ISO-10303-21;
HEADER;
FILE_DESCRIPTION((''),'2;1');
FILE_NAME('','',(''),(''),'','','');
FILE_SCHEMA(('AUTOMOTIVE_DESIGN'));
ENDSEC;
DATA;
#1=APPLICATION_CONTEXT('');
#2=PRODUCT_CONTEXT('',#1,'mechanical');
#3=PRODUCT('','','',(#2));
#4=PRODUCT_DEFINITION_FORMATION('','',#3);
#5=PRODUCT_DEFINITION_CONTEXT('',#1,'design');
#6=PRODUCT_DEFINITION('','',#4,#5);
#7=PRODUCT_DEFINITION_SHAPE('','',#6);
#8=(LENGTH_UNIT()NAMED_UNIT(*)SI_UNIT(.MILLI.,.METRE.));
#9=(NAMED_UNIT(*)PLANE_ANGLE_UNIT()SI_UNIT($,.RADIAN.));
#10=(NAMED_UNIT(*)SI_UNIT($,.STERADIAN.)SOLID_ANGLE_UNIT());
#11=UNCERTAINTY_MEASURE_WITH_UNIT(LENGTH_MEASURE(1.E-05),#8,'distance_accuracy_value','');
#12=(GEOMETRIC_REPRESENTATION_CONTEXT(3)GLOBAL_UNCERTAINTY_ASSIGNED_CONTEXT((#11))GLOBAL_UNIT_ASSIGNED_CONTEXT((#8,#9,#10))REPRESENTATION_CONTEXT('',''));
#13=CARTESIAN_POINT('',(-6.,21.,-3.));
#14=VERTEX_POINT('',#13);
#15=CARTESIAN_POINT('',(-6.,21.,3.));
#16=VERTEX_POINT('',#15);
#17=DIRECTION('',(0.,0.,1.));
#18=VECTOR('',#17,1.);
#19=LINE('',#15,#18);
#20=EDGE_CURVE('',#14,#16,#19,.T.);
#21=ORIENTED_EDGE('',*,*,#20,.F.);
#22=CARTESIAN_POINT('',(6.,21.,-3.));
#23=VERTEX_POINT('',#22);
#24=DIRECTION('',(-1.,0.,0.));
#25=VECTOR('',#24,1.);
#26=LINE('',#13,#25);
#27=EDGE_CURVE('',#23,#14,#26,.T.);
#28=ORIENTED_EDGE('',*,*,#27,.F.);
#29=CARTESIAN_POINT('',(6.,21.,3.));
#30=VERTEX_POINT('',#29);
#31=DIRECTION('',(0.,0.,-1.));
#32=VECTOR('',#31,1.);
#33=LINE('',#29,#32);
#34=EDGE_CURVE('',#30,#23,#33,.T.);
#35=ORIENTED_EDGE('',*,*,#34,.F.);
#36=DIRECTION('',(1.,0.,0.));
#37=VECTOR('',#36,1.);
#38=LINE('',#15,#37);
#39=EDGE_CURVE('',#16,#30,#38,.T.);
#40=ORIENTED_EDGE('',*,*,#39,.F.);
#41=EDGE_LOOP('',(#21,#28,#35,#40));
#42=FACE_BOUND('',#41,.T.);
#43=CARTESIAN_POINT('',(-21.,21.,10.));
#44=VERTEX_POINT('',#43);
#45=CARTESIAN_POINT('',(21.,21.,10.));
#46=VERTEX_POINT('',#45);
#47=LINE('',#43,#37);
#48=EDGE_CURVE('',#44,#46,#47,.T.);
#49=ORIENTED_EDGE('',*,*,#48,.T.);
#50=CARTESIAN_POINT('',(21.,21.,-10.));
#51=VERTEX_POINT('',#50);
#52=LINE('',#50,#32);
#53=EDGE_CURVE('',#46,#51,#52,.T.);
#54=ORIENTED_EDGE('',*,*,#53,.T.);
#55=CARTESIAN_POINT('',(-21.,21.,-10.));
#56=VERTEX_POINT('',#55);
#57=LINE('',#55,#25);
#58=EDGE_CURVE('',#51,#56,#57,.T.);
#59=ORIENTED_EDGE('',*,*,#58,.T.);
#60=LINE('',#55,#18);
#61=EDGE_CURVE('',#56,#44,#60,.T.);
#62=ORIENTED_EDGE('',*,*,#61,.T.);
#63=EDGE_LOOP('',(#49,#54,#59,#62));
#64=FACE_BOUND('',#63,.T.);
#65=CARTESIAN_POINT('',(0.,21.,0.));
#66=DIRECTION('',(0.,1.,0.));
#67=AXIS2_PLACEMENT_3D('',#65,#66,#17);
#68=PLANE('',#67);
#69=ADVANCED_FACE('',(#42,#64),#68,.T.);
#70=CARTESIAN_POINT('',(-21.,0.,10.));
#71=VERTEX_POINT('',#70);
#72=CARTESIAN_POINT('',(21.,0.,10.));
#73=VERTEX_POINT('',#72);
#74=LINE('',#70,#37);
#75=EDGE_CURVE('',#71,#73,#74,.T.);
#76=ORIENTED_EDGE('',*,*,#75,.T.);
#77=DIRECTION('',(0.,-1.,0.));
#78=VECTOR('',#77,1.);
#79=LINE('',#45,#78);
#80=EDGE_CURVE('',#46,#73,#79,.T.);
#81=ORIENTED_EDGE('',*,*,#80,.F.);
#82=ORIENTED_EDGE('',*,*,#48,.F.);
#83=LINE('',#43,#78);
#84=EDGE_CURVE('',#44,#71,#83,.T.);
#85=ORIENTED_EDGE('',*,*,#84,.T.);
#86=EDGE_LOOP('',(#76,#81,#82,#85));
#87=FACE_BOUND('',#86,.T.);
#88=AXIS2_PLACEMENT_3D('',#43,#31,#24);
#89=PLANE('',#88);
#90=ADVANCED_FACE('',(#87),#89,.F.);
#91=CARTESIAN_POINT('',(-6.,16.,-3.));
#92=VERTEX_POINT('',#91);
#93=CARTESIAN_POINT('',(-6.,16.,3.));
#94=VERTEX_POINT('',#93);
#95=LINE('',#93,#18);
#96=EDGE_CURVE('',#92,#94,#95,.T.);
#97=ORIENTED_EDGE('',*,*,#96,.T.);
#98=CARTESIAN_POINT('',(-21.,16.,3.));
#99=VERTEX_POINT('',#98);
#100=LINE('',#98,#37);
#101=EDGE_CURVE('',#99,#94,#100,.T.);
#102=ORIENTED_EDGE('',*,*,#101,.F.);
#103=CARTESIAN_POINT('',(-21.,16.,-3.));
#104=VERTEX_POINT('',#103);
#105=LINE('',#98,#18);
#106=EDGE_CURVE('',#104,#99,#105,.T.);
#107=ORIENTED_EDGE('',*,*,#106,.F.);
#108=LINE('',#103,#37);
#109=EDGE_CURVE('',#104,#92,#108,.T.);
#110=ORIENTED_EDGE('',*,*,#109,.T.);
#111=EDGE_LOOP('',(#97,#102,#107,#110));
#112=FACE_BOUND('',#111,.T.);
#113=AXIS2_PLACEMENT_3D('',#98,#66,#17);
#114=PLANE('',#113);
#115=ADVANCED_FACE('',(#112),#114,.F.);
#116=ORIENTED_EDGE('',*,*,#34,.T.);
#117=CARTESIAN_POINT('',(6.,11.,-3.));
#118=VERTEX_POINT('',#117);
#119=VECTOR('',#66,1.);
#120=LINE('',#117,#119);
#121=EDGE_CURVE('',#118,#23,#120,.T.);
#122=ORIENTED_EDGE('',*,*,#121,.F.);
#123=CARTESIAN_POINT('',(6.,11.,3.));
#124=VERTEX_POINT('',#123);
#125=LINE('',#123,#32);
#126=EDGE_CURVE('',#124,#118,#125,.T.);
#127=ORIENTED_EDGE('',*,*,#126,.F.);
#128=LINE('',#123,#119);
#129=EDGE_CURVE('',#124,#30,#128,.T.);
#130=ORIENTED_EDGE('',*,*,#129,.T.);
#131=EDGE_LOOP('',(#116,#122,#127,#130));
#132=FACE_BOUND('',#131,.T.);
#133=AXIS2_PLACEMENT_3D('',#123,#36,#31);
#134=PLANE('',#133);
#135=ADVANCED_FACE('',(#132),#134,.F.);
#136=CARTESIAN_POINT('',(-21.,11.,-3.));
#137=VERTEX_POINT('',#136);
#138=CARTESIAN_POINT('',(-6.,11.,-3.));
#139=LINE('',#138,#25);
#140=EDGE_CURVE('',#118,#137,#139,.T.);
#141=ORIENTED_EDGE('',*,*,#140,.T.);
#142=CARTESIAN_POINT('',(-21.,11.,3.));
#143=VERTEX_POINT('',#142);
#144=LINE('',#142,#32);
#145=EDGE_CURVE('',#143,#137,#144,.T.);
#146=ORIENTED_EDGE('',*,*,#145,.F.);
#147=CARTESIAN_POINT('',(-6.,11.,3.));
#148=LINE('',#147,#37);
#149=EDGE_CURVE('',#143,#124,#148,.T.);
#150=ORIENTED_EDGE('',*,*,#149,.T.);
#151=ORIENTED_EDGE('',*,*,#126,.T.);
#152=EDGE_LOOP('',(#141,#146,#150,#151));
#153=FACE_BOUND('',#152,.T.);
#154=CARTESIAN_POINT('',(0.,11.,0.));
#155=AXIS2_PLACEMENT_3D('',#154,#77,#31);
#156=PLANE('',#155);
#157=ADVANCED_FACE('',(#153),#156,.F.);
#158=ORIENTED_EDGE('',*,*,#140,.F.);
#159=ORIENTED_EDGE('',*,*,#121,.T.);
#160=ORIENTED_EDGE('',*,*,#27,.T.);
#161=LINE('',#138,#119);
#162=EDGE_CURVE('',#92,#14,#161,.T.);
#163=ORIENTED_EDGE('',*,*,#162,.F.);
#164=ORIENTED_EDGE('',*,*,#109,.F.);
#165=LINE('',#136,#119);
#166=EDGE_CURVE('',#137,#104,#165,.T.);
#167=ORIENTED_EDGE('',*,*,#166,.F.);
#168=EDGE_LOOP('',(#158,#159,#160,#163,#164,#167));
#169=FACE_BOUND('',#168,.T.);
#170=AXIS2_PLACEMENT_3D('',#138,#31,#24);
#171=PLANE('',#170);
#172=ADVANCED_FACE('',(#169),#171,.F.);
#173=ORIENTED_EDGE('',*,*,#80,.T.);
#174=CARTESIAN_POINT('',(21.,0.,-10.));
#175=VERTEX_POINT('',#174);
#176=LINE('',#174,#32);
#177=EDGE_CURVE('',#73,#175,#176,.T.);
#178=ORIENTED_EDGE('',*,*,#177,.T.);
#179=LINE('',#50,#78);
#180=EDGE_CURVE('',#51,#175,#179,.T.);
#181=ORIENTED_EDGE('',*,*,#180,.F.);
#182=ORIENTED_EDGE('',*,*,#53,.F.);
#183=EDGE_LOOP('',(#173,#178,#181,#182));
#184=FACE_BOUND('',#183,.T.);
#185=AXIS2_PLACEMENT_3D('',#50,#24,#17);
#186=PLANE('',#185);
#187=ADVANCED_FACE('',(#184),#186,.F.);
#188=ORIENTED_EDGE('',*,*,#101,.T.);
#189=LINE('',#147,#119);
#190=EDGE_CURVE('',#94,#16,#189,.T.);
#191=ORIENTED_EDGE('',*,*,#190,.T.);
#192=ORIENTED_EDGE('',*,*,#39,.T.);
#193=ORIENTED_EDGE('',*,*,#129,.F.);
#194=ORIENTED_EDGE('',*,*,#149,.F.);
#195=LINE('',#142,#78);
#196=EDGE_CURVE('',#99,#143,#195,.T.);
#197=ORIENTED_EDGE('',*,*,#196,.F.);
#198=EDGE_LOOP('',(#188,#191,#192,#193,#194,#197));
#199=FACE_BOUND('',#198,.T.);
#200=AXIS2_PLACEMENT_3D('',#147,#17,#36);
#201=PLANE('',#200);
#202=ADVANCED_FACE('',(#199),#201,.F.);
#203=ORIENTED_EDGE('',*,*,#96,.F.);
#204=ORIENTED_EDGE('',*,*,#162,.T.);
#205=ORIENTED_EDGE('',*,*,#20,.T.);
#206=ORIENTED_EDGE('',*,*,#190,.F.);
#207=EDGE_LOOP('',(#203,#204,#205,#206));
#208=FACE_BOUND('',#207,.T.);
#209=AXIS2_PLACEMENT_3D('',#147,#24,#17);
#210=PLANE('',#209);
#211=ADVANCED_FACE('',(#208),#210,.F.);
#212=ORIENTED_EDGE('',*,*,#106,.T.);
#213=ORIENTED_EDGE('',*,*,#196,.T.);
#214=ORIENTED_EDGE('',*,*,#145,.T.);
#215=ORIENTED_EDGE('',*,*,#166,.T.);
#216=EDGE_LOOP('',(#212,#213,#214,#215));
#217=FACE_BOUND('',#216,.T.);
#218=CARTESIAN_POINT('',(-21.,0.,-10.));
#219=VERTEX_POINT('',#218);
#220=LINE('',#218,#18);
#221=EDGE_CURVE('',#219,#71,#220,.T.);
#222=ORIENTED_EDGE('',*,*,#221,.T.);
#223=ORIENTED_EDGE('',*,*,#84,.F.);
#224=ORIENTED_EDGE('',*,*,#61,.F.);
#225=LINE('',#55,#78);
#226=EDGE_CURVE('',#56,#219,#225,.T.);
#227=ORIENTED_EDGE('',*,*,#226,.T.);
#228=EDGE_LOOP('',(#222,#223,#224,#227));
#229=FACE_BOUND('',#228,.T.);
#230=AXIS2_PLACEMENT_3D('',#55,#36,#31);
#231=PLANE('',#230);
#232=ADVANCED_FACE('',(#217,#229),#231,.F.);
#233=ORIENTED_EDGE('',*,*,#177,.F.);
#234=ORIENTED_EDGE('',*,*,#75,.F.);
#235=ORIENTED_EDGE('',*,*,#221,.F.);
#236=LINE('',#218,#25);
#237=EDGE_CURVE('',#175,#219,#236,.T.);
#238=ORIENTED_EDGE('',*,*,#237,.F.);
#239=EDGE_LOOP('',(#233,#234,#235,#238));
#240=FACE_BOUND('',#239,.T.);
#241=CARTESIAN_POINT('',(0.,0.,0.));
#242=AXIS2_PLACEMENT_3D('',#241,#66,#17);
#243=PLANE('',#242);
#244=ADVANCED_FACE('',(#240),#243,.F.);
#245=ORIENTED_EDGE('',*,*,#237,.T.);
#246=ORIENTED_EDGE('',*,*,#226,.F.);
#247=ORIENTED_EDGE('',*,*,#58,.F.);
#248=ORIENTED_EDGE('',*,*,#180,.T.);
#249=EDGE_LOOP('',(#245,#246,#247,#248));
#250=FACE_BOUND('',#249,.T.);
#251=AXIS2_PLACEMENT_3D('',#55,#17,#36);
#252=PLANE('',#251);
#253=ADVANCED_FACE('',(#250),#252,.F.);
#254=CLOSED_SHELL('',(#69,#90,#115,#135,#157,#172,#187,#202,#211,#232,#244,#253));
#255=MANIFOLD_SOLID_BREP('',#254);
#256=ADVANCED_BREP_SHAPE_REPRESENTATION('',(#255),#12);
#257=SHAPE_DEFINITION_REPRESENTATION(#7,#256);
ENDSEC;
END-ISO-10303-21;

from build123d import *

# Parameters (mm, degrees)
ESQUISSE1_W             = 42
ESQUISSE1_H             = 20
BOSS_EXTRU_1_DEPTH      = 21
ESQUISSE2_W             = 12
ESQUISSE2_H             = 6
ENL_V_MAT_EXTRU_1_DEPTH = 10
ESQUISSE3_W             = 6
ESQUISSE3_H             = 5
ENL_V_MAT_EXTRU_2_DEPTH = 36.637059362


with BuildPart() as part:
    # Esquisse1 → Boss.-Extru.1 (new body)
    with BuildSketch(Plane(origin=(0, 0, 0), x_dir=(1, 0, 0), z_dir=(0, 1, 0))):
        Rectangle(ESQUISSE1_W, ESQUISSE1_H)
    extrude(amount=BOSS_EXTRU_1_DEPTH)

    # Esquisse2 → Enlèv. mat.-Extru.1 (cut)
    with BuildSketch(Plane(origin=(0, 21, 0), x_dir=(1, 0, 0), z_dir=(0, 1, 0))):
        Rectangle(ESQUISSE2_W, ESQUISSE2_H)
    extrude(amount=-ENL_V_MAT_EXTRU_1_DEPTH, mode=Mode.SUBTRACT)

    # Esquisse3 → Enlèv. mat.-Extru.2 (cut, through all)
    with BuildSketch(Plane(origin=(-6, 0, 0), x_dir=(0, 0, -1), z_dir=(1, 0, 0))):
        with Locations((0, 13.5)):
            Rectangle(ESQUISSE3_W, ESQUISSE3_H)
    extrude(amount=-ENL_V_MAT_EXTRU_2_DEPTH, mode=Mode.SUBTRACT)


solid = part.part
